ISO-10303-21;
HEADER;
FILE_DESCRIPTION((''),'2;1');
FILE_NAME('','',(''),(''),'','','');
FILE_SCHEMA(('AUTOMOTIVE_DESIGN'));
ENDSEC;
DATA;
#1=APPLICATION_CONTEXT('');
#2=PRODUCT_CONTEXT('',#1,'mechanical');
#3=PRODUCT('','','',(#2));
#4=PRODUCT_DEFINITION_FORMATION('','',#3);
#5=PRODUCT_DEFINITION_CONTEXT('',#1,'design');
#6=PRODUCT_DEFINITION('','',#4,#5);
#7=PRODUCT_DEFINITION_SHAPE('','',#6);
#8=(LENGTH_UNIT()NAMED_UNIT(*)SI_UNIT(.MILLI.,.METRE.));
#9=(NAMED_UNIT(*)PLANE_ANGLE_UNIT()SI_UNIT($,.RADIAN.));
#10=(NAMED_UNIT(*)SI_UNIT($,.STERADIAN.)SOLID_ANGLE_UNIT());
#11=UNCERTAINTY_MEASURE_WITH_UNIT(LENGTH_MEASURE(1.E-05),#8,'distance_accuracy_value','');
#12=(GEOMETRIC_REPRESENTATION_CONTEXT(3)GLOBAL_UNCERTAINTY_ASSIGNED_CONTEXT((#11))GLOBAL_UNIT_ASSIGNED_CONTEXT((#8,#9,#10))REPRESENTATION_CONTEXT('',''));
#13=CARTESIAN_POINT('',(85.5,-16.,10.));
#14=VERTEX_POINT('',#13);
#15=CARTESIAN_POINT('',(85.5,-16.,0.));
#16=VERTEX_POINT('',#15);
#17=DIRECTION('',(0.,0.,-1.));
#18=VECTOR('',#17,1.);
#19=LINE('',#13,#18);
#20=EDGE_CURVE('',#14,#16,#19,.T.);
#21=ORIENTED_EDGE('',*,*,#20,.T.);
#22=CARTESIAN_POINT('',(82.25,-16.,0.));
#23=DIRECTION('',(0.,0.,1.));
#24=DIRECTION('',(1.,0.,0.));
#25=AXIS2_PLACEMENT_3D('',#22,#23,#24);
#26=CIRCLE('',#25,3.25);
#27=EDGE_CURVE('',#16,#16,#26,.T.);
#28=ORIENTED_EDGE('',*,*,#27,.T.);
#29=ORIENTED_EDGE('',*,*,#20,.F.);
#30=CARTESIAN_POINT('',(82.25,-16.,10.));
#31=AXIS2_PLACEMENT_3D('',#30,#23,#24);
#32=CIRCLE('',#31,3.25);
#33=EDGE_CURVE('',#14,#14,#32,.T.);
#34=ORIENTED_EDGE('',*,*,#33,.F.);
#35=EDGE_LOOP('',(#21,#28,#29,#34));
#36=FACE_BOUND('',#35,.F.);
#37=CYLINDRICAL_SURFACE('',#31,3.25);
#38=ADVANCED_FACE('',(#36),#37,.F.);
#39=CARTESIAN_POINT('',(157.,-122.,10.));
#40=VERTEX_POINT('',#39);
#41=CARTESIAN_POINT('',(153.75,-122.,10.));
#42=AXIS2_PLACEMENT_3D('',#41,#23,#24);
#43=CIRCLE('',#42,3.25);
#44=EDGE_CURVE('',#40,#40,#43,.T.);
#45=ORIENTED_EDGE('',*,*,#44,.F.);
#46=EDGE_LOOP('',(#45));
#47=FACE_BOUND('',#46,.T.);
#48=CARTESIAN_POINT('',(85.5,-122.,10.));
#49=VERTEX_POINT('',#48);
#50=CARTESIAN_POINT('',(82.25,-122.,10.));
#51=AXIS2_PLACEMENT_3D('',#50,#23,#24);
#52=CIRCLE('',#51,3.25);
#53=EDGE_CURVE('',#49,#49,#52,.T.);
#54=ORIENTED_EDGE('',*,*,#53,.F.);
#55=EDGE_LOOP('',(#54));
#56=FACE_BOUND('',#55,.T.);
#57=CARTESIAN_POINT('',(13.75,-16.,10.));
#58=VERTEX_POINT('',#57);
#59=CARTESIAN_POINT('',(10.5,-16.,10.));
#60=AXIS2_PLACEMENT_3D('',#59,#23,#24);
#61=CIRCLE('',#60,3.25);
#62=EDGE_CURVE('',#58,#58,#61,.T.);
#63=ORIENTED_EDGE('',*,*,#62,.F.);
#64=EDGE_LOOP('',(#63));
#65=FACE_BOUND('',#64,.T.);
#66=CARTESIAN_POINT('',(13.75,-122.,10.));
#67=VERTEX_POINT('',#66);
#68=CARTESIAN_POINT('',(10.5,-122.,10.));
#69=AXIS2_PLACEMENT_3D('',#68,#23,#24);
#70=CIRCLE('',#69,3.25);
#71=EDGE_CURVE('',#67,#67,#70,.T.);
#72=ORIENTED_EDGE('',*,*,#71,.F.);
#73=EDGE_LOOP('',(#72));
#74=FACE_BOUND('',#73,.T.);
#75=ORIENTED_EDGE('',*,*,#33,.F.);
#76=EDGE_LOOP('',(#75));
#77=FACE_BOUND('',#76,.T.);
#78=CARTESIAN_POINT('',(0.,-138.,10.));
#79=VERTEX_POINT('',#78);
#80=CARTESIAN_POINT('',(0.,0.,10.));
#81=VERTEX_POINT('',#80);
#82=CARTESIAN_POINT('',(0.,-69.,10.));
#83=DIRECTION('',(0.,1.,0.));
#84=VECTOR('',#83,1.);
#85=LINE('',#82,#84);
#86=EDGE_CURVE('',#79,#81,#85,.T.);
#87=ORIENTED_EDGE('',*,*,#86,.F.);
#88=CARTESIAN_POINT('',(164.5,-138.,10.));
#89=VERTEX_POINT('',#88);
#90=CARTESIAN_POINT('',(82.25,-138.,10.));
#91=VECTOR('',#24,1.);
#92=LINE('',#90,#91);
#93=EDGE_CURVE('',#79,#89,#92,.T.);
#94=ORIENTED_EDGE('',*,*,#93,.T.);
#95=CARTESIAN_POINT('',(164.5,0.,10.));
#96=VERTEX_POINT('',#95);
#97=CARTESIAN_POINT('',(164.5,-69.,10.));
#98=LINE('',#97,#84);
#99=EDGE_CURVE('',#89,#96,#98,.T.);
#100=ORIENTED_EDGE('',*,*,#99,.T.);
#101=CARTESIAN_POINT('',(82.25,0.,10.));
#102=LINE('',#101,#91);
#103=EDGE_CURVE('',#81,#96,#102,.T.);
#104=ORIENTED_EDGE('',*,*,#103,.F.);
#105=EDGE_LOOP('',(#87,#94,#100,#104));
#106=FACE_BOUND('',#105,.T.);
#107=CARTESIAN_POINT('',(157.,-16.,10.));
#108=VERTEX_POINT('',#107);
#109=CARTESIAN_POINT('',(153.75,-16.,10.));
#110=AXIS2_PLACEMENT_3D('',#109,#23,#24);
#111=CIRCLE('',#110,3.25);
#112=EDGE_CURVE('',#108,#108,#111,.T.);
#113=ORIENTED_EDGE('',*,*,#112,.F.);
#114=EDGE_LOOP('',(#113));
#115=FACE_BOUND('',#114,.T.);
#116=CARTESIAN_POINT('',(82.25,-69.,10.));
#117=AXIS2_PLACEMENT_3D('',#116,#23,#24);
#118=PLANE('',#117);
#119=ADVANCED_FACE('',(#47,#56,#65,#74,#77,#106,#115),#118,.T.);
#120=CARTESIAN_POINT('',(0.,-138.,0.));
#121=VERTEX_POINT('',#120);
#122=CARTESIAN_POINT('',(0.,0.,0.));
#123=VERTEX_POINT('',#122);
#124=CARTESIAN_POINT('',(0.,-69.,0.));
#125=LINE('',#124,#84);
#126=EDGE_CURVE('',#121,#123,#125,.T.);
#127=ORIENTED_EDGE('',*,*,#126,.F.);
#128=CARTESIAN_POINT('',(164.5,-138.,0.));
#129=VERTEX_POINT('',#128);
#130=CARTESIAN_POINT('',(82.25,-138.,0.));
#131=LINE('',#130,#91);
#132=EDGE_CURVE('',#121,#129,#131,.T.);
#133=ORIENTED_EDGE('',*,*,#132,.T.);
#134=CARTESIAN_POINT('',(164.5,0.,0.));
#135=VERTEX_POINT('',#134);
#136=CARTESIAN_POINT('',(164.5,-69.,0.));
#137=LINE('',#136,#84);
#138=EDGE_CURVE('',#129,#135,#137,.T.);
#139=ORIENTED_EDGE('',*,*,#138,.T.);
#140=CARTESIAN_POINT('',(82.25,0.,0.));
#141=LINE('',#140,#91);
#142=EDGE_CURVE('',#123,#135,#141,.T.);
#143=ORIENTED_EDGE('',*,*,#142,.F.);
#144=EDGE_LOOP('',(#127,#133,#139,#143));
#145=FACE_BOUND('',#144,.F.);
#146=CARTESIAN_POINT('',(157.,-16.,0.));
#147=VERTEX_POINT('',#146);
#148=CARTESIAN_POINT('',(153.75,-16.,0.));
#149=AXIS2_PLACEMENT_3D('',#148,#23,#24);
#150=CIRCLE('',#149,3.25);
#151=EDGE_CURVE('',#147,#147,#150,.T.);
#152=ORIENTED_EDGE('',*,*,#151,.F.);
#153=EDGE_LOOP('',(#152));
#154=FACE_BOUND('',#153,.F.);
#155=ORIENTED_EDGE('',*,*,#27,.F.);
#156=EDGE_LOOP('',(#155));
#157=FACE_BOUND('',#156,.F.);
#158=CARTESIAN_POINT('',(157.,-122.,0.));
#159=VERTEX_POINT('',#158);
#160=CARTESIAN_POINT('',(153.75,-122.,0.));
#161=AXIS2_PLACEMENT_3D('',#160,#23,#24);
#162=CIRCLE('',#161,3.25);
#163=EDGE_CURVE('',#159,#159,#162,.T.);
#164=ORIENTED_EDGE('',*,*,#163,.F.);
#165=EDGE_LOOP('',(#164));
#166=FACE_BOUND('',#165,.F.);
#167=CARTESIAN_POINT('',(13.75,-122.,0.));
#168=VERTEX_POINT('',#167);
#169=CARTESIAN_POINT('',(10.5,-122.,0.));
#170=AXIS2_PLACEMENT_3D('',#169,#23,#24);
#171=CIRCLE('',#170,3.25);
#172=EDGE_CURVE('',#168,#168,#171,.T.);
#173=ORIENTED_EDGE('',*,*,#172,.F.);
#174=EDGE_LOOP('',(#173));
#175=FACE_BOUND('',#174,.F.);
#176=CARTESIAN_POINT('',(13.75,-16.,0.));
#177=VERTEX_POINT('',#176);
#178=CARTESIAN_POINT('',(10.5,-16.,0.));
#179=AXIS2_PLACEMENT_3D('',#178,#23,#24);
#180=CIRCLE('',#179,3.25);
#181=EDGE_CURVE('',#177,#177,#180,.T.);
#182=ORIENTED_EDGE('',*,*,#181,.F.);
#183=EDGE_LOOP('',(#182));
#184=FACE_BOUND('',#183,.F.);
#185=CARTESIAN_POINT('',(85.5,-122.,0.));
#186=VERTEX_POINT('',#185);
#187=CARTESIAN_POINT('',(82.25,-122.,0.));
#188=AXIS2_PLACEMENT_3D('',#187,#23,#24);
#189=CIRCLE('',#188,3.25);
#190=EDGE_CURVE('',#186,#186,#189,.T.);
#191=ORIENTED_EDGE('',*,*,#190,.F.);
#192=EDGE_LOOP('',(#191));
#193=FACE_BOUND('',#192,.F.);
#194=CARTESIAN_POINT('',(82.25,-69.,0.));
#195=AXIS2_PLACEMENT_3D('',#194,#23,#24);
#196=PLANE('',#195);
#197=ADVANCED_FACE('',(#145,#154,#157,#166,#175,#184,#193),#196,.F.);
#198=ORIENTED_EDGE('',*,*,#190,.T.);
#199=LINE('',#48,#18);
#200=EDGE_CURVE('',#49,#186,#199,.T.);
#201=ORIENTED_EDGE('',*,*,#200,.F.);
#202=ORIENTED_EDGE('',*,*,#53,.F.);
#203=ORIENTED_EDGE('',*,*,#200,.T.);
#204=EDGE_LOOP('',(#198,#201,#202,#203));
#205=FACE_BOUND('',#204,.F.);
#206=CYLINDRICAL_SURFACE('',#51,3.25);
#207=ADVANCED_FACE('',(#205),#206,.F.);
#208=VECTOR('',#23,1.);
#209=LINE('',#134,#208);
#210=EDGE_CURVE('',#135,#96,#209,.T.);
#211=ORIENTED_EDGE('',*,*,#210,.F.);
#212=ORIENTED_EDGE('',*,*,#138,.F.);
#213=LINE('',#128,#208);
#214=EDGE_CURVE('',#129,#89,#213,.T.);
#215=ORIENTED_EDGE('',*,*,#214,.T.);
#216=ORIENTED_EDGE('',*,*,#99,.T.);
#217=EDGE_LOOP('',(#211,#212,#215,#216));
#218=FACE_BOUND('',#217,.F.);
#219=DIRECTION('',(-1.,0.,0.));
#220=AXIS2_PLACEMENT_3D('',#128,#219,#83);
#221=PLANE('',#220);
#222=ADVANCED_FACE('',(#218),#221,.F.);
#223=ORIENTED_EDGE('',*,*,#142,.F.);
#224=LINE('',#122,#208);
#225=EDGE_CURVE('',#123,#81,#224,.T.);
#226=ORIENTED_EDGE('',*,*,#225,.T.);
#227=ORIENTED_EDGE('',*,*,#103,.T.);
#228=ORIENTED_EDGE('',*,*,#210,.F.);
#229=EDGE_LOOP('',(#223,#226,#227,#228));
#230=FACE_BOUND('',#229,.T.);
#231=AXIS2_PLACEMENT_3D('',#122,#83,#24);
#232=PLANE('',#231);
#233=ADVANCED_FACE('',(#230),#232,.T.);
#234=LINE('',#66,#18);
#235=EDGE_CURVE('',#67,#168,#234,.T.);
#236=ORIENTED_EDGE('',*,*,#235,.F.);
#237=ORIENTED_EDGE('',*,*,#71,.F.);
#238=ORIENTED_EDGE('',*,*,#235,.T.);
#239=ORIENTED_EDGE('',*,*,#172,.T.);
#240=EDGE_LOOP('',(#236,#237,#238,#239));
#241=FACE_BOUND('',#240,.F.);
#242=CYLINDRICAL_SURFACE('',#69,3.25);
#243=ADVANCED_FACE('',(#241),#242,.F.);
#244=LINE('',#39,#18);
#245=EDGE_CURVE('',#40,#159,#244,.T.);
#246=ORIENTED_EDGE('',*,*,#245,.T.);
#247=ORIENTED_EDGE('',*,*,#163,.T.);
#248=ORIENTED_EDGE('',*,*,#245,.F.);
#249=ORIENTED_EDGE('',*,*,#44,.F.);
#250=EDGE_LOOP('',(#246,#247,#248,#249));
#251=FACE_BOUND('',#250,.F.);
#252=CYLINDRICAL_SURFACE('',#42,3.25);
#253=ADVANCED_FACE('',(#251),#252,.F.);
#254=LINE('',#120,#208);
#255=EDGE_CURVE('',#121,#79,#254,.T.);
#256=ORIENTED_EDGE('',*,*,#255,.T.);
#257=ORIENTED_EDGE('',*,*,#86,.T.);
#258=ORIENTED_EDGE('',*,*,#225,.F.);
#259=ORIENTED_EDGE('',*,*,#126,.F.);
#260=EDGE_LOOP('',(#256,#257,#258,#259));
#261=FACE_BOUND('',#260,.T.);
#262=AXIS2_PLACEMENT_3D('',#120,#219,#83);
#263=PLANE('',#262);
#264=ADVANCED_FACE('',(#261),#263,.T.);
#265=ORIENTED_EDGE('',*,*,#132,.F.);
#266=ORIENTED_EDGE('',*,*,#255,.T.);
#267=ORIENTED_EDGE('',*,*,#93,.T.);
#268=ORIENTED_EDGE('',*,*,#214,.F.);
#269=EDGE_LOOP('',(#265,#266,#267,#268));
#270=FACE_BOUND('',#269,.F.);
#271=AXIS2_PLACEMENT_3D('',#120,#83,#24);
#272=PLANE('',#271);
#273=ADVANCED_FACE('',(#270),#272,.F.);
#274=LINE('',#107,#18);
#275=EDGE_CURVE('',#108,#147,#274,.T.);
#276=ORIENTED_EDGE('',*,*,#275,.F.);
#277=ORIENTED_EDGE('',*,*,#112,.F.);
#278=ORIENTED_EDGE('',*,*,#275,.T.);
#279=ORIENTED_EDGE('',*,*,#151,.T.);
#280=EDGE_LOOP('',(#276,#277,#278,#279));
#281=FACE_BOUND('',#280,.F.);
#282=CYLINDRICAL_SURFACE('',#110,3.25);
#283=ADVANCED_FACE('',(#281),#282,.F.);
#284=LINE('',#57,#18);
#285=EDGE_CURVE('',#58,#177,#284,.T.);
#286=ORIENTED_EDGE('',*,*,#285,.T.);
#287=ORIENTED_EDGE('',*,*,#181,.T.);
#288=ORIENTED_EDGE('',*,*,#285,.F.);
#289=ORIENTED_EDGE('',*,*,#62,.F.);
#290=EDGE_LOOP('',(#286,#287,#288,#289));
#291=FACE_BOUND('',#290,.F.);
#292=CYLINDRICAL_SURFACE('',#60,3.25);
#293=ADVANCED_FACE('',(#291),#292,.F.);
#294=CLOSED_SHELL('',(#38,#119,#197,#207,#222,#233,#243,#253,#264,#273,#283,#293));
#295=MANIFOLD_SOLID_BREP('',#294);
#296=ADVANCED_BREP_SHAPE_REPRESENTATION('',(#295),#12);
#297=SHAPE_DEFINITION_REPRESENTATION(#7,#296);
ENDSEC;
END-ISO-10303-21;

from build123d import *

# Parameters (mm, degrees)
F0_W     = 164.5
F0_H     = 138
F1_DEPTH = 10
F2_R     = 3.25
F3_DEPTH = 25


with BuildPart() as f1:
    # F0 (on Top) → F1 (new body)
    with BuildSketch(Plane.XY):
        with Locations((82.25, -69)):
            Rectangle(F0_W, F0_H)
    extrude(amount=F1_DEPTH)

    # F2 (on face) → F3 (cut)
    with BuildSketch(Plane.XY.offset(10)):
        with Locations((153.75, -122)):
            Circle(F2_R)
        with Locations((153.75, -16)):
            Circle(F2_R)
        with Locations((82.25, -16)):
            Circle(F2_R)
        with Locations((10.5, -16)):
            Circle(F2_R)
        with Locations((82.25, -122)):
            Circle(F2_R)
        with Locations((10.5, -122)):
            Circle(F2_R)
    extrude(amount=-F3_DEPTH, mode=Mode.SUBTRACT)


solid = f1.part
